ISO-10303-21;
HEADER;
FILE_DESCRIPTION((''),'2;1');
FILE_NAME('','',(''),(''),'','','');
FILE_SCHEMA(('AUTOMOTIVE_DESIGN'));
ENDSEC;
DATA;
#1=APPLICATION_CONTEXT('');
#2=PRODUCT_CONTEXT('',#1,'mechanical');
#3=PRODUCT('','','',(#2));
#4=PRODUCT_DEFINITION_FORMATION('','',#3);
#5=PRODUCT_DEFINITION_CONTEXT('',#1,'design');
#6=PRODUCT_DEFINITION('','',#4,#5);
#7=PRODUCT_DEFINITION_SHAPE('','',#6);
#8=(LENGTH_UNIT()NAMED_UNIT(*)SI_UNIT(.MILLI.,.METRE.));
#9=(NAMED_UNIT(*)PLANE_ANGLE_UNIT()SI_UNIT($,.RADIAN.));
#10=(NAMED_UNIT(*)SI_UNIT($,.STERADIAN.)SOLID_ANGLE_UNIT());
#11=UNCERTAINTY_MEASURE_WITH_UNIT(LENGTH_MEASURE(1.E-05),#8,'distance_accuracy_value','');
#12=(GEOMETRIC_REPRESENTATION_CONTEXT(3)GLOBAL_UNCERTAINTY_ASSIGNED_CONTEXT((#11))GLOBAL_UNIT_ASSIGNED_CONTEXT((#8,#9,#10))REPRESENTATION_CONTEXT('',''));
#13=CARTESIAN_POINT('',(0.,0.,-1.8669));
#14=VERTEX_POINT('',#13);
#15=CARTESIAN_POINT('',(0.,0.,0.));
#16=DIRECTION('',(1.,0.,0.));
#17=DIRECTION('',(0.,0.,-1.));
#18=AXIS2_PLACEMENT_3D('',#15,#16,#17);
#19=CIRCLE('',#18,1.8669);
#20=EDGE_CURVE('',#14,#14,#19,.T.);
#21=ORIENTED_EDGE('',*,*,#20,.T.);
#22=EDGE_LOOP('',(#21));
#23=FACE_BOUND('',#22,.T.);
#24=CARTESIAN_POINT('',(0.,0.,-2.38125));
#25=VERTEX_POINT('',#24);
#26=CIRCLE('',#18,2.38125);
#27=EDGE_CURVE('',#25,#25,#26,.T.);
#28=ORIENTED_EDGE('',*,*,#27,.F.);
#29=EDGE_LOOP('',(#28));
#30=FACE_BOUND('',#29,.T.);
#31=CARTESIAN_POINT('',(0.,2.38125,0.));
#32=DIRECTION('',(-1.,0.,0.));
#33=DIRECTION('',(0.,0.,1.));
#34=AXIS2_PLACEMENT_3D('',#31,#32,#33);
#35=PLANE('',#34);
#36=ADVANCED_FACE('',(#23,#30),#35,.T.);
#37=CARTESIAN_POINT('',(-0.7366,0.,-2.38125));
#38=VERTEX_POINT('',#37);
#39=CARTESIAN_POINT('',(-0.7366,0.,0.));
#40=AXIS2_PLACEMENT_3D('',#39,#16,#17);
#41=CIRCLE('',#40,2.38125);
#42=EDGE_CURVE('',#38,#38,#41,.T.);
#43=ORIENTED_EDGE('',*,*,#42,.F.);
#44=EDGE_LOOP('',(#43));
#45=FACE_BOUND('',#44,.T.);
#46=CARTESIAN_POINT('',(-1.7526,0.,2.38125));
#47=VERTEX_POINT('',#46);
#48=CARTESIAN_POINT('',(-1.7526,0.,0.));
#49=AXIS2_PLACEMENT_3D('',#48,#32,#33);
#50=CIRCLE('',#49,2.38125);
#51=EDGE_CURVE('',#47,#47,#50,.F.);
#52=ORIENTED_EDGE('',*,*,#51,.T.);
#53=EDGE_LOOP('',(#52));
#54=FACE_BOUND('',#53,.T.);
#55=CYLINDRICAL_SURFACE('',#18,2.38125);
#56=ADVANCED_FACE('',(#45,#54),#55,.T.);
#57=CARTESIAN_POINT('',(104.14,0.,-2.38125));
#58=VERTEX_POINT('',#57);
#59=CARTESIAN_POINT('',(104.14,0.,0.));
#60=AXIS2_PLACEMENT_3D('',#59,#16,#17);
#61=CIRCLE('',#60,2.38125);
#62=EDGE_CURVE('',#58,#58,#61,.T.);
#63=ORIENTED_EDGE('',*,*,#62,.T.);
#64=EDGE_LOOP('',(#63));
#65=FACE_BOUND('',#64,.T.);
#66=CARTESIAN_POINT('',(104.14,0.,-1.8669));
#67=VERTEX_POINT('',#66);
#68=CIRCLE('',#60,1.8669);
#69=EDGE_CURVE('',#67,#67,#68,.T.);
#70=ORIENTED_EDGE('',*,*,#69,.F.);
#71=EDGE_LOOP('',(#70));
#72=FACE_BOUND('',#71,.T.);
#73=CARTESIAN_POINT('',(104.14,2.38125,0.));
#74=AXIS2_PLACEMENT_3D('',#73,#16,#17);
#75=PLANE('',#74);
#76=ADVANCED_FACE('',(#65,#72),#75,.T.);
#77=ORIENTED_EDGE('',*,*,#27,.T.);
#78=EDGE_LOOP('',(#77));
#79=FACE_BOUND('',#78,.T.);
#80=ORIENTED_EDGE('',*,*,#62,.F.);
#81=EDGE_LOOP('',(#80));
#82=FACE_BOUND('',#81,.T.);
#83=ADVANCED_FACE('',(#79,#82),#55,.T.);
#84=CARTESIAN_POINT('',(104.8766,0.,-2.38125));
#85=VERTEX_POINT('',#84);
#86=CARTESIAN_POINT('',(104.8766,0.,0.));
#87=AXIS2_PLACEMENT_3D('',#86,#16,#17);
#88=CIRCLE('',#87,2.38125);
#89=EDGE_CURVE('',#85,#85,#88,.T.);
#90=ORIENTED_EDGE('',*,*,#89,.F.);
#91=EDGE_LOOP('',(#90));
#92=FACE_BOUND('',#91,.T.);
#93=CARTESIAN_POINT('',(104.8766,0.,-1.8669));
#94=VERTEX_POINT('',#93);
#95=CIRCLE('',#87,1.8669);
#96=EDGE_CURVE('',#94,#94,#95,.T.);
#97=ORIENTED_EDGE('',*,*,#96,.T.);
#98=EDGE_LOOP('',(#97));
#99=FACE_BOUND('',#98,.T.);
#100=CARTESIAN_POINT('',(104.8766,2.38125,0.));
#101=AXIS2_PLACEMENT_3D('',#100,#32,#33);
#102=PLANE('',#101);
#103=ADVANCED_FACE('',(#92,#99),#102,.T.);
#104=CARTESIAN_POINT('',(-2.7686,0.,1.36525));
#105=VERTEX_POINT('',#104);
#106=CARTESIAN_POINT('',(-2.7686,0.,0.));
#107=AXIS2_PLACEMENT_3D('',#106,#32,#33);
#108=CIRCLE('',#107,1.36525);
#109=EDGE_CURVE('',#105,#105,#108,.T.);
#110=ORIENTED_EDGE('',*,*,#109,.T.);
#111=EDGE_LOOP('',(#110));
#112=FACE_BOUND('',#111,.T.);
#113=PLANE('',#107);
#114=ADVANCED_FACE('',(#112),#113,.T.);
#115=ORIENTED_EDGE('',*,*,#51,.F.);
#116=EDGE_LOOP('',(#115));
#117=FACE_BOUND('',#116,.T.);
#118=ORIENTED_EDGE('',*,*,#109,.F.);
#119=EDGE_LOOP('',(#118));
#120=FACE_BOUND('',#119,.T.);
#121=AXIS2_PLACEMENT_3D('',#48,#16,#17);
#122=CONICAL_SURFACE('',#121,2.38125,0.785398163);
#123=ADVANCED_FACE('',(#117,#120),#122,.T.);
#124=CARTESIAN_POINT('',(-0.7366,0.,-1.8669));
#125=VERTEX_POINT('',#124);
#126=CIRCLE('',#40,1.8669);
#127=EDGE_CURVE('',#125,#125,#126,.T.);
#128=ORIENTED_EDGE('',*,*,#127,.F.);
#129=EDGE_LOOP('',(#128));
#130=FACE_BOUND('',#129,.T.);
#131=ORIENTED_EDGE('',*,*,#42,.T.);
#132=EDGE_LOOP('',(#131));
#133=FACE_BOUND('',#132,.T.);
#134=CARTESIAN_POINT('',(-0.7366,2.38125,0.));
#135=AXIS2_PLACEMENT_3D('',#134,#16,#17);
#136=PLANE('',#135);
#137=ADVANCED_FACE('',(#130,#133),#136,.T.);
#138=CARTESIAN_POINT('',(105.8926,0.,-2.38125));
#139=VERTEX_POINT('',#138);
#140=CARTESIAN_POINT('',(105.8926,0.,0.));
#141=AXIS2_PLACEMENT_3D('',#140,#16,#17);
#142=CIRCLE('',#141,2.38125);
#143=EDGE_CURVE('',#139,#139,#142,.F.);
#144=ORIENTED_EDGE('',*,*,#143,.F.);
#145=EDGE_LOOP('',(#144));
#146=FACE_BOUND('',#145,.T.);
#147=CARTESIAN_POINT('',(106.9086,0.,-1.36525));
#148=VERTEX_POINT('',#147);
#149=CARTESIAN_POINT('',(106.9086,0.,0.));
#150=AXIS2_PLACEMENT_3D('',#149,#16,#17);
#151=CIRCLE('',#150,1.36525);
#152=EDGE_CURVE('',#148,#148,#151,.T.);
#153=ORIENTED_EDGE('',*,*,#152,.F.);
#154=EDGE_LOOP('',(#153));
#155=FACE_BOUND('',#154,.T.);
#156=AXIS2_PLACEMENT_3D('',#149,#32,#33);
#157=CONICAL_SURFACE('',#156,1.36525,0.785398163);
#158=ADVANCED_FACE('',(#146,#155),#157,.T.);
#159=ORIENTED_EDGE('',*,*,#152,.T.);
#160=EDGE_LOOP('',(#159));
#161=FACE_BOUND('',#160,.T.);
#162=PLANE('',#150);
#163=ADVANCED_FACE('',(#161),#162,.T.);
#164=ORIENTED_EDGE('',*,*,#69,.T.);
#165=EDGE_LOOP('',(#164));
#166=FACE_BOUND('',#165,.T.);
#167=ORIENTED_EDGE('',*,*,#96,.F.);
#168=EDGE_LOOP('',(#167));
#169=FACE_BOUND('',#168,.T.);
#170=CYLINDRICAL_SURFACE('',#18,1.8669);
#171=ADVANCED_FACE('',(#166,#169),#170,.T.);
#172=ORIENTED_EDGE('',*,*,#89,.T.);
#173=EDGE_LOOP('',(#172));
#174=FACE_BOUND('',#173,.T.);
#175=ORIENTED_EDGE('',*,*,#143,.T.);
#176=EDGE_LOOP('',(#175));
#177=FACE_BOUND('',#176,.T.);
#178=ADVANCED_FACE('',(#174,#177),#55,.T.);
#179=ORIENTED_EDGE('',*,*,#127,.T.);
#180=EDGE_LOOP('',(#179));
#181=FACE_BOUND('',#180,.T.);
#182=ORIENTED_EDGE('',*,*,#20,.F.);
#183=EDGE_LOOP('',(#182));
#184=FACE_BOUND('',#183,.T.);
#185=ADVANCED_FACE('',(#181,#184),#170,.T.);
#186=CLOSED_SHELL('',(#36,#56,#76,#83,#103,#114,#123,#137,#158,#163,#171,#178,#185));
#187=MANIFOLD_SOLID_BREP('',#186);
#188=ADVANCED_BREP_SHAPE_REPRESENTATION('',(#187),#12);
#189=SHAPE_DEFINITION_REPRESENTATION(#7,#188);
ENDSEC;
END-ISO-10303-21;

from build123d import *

# Parameters (mm, degrees)
CHAMFER1_SIZE = 1.016


with BuildPart() as part:
    # Sketch2 → Revolve1 (revolve)
    with BuildSketch(Plane.XY):
        Polygon((0, 2.38125), (104.14, 2.38125), (104.14, 1.8669), (104.8766, 1.8669), (104.8766, 2.38125), (106.9086, 2.38125), (106.9086, 0), (-2.7686, 0), (-2.7686, 2.38125), (-0.7366, 2.38125), (-0.7366, 1.8669), (0, 1.8669), align=None)
    revolve(axis=Axis((0, 0, 0), (-1, 0, 0)))

    # Chamfer1
    chamfer1_edges = [part.edges().sort_by_distance(p)[0] for p in [
        (-2.7686, -2.38125, 0),
        (106.9086, -2.38125, 0),
    ]]
    chamfer(chamfer1_edges, length=CHAMFER1_SIZE)


solid = part.part
